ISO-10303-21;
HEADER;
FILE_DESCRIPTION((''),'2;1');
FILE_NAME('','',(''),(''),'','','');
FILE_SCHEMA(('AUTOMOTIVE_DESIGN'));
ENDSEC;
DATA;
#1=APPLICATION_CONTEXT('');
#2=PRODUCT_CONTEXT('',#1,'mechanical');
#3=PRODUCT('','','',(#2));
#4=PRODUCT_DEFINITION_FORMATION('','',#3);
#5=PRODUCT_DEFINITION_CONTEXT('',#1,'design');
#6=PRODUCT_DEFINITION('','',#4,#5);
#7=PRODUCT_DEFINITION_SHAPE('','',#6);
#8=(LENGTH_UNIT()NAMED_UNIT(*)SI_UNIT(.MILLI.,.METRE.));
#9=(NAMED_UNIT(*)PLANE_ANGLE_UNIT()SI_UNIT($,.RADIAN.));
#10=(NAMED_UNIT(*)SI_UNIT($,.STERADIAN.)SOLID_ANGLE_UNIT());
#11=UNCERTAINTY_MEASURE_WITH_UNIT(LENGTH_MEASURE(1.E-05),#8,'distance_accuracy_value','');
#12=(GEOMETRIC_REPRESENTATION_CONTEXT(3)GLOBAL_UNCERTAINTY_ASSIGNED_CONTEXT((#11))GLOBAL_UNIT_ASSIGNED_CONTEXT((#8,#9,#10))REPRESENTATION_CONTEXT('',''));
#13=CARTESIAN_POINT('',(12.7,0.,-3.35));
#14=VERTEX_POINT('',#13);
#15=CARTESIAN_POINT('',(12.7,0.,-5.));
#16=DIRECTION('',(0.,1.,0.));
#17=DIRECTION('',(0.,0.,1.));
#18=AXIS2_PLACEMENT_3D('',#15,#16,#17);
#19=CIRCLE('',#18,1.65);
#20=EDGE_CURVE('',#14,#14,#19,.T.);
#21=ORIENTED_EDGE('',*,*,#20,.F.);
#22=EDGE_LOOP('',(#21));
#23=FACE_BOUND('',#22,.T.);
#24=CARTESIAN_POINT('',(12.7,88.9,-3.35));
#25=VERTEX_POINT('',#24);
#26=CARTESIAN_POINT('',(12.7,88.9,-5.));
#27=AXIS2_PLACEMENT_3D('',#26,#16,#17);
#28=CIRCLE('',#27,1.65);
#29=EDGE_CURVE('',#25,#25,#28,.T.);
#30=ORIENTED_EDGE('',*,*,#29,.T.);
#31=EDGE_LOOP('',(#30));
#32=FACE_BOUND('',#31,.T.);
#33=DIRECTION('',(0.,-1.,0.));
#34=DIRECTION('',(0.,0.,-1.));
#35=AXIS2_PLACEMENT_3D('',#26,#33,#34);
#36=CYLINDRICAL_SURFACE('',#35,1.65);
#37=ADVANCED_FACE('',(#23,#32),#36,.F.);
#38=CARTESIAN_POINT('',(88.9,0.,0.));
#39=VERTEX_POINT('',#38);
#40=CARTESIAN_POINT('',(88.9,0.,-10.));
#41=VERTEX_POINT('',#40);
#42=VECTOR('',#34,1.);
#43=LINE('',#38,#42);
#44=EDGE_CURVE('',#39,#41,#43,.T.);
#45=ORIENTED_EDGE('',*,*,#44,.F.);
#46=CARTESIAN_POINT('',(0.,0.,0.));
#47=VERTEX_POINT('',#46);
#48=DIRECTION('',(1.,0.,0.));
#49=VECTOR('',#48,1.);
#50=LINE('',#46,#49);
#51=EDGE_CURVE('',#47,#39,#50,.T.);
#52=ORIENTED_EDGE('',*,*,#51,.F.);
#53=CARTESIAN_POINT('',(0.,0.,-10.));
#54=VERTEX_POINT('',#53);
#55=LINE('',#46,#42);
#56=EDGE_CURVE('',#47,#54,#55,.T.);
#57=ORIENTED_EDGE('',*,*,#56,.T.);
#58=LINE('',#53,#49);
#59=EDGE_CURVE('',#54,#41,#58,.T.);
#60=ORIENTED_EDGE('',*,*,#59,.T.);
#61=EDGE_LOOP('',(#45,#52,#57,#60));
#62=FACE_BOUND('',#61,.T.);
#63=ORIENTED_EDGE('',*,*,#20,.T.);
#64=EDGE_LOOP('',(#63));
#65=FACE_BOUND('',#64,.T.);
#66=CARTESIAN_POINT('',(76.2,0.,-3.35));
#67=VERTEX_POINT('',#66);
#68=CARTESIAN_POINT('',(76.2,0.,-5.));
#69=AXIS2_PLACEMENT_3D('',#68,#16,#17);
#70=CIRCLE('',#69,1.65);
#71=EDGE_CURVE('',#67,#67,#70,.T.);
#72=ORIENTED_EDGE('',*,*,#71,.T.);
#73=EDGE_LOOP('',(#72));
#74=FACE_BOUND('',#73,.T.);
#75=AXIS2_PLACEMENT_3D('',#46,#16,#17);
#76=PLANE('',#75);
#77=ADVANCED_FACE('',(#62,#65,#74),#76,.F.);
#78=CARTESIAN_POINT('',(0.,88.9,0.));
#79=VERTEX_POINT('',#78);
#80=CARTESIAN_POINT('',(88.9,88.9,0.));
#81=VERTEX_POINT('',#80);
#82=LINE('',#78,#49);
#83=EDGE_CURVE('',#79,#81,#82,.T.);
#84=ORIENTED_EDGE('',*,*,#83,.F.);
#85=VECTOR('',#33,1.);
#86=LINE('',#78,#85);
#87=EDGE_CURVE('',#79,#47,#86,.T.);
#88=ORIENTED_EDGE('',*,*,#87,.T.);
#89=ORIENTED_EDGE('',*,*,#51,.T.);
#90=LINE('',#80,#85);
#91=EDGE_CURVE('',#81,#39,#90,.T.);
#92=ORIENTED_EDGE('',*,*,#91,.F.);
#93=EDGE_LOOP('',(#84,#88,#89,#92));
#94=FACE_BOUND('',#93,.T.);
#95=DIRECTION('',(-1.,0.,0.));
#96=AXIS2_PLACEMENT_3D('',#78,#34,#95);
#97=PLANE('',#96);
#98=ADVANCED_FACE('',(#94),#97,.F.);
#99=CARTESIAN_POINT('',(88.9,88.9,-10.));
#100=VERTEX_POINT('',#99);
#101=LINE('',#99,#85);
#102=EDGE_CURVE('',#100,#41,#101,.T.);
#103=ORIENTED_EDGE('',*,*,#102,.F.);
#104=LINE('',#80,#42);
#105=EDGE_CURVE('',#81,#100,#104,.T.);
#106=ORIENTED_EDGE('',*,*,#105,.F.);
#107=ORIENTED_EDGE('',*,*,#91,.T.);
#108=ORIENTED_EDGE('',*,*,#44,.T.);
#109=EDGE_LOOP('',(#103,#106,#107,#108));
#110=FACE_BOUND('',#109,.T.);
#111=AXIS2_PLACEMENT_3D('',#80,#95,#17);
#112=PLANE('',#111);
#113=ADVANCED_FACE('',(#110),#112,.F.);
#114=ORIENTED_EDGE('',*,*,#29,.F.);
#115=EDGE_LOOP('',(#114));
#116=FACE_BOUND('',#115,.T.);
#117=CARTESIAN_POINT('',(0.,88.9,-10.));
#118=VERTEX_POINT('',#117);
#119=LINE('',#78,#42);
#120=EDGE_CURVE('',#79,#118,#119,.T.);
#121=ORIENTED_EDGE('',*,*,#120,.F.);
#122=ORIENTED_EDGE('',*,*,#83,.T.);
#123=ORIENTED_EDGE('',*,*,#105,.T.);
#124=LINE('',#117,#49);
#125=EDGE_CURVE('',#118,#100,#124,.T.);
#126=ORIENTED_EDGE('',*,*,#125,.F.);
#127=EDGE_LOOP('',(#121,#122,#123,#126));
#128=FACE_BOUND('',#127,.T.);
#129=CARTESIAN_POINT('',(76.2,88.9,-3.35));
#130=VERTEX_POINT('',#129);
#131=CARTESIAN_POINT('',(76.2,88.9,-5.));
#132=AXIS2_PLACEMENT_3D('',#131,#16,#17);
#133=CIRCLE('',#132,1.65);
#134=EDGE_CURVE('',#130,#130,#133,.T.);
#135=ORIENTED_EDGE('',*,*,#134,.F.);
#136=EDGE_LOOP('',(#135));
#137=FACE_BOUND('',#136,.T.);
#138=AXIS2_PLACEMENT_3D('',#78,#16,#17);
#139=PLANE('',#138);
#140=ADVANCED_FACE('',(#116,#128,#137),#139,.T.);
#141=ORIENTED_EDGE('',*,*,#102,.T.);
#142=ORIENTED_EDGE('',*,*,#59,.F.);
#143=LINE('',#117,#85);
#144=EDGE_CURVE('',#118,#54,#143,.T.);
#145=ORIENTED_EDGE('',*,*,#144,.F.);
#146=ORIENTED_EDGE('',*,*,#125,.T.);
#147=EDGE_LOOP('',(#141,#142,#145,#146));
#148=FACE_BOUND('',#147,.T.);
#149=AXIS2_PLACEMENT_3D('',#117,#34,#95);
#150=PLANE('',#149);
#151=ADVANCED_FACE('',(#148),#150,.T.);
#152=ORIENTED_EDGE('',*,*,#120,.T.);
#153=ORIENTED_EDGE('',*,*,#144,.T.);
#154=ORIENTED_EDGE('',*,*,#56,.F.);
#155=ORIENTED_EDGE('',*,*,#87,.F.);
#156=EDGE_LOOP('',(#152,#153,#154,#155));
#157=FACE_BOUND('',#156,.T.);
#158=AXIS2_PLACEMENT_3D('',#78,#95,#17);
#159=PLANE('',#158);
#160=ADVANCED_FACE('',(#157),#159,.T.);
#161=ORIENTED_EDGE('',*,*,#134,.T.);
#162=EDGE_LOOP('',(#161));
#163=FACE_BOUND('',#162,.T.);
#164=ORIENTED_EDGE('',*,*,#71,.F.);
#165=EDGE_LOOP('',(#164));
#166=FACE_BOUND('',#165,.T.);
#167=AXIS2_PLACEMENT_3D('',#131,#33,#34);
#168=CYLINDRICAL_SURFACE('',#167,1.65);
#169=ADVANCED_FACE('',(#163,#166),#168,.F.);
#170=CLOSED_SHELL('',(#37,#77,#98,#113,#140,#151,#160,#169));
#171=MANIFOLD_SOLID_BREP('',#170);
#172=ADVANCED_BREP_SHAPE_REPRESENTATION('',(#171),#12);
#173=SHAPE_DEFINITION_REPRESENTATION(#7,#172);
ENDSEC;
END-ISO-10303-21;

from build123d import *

# Parameters (mm, degrees)
SKETCH1_W           = 88.9
SKETCH1_H           = 10
SKETCH1_R           = 1.65
BOSS_EXTRUDE1_DEPTH = 88.9


with BuildPart() as part:
    # Sketch1 → Boss-Extrude1 (new body)
    with BuildSketch(Plane(origin=(0, 0, 0), x_dir=(1, 0, 0), z_dir=(0, 1, 0))):
        with Locations((44.45, 5)):
            Rectangle(SKETCH1_W, SKETCH1_H)
        with Locations(Location((12.7, 5, 0), (0, 0, 270))):
            Circle(SKETCH1_R, mode=Mode.SUBTRACT)
        with Locations(Location((76.2, 5, 0), (0, 0, 270))):
            Circle(SKETCH1_R, mode=Mode.SUBTRACT)
    extrude(amount=BOSS_EXTRUDE1_DEPTH)


solid = part.part
